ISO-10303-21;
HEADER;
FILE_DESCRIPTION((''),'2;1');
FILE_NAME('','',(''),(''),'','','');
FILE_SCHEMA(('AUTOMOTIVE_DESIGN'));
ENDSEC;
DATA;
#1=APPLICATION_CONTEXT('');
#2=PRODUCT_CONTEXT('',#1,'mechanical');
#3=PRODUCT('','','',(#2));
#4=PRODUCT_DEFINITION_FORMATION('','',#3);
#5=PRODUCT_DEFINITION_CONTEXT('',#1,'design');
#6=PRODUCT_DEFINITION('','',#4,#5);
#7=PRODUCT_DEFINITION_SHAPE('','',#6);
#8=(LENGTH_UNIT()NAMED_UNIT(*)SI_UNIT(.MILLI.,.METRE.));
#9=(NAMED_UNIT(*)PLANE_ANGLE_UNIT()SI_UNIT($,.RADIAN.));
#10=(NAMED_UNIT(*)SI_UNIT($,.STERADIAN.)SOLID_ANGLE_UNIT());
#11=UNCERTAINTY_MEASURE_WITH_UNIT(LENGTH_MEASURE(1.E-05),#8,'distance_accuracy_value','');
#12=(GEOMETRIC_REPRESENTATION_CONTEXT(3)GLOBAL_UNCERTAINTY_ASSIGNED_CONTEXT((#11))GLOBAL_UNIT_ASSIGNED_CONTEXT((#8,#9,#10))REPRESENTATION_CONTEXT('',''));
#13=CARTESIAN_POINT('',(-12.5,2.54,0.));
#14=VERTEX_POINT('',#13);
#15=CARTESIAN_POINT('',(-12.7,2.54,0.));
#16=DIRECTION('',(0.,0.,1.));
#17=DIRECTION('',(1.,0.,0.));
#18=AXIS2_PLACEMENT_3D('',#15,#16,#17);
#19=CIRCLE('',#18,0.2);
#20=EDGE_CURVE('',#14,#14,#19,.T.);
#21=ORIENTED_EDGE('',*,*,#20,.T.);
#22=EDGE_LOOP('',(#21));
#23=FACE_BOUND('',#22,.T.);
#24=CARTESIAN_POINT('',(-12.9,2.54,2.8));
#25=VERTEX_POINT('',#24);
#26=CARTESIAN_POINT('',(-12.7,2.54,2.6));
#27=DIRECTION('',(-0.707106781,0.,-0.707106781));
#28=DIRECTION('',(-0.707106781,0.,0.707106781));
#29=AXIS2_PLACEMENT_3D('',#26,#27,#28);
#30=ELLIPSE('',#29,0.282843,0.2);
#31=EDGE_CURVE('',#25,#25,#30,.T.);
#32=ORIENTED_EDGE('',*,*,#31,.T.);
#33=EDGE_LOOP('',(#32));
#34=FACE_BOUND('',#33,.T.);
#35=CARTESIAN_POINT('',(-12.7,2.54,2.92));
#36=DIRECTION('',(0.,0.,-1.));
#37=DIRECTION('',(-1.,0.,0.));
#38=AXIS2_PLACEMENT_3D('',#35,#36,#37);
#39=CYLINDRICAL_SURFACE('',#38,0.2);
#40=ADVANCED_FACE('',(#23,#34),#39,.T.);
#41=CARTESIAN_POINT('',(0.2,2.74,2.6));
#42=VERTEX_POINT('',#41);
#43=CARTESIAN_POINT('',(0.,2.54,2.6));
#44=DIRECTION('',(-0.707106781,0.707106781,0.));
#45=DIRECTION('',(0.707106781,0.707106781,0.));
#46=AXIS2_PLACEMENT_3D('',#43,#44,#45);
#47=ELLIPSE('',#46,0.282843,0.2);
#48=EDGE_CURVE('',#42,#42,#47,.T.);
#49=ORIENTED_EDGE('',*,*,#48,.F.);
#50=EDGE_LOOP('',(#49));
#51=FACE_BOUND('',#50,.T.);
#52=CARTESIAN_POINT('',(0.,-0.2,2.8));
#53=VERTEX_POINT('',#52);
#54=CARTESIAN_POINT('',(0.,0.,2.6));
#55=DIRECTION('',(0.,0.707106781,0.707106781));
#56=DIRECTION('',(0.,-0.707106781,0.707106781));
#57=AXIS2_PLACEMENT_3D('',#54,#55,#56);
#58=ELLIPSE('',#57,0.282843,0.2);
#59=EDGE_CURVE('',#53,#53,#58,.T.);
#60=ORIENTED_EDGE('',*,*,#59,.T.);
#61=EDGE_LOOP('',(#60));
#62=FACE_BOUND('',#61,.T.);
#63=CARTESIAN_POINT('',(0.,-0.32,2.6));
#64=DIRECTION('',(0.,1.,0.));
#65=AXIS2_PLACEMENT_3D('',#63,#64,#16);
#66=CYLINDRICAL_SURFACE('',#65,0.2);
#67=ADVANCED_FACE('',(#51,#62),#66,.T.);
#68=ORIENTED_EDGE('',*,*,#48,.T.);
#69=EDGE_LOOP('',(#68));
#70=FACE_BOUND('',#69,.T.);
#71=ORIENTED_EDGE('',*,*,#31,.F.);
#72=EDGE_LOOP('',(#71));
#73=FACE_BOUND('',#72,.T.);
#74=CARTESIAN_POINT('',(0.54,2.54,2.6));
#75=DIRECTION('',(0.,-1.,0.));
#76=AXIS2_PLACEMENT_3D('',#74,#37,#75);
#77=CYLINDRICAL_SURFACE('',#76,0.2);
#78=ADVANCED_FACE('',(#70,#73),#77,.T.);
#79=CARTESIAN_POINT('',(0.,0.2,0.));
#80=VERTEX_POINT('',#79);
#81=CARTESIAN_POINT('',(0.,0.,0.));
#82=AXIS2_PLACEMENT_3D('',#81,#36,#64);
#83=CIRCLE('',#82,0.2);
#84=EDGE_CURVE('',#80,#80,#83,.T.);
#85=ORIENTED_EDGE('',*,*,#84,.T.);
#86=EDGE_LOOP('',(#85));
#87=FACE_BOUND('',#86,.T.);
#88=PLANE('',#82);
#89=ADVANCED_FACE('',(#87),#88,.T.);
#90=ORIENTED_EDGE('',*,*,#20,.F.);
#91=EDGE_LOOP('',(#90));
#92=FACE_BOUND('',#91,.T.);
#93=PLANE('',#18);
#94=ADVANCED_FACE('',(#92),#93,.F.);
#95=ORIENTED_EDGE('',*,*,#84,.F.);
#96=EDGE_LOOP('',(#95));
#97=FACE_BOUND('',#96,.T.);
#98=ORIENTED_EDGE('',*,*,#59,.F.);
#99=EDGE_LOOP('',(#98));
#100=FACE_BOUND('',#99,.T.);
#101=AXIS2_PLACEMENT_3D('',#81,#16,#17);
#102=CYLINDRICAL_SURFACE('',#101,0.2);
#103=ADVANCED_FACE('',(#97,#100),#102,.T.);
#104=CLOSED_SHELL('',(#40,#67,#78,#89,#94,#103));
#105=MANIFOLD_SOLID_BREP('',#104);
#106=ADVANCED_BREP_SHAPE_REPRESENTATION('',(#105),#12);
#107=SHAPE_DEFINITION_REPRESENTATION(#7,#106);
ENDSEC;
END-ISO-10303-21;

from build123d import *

# Parameters (mm, degrees)
SWEEP1_PROFILE_R = 0.2


with BuildPart() as part:
    # Sweep1: sweep along a curve in space
    with BuildLine() as sweep1_path:
        Line((0, 0, 0), (0, 0, 2.6))
        Line((0, 0, 2.6), (0, 2.54, 2.6))
        Line((0, 2.54, 2.6), (-12.7, 2.54, 2.6))
        Line((-12.7, 2.54, 2.6), (-12.7, 2.54, 0))
    # Sweep1 profile (on start of the path) → Sweep1 (sweep)
    with BuildSketch(Plane.XY):
        Circle(SWEEP1_PROFILE_R)
    sweep(path=sweep1_path.line, transition=Transition.RIGHT)


solid = part.part
